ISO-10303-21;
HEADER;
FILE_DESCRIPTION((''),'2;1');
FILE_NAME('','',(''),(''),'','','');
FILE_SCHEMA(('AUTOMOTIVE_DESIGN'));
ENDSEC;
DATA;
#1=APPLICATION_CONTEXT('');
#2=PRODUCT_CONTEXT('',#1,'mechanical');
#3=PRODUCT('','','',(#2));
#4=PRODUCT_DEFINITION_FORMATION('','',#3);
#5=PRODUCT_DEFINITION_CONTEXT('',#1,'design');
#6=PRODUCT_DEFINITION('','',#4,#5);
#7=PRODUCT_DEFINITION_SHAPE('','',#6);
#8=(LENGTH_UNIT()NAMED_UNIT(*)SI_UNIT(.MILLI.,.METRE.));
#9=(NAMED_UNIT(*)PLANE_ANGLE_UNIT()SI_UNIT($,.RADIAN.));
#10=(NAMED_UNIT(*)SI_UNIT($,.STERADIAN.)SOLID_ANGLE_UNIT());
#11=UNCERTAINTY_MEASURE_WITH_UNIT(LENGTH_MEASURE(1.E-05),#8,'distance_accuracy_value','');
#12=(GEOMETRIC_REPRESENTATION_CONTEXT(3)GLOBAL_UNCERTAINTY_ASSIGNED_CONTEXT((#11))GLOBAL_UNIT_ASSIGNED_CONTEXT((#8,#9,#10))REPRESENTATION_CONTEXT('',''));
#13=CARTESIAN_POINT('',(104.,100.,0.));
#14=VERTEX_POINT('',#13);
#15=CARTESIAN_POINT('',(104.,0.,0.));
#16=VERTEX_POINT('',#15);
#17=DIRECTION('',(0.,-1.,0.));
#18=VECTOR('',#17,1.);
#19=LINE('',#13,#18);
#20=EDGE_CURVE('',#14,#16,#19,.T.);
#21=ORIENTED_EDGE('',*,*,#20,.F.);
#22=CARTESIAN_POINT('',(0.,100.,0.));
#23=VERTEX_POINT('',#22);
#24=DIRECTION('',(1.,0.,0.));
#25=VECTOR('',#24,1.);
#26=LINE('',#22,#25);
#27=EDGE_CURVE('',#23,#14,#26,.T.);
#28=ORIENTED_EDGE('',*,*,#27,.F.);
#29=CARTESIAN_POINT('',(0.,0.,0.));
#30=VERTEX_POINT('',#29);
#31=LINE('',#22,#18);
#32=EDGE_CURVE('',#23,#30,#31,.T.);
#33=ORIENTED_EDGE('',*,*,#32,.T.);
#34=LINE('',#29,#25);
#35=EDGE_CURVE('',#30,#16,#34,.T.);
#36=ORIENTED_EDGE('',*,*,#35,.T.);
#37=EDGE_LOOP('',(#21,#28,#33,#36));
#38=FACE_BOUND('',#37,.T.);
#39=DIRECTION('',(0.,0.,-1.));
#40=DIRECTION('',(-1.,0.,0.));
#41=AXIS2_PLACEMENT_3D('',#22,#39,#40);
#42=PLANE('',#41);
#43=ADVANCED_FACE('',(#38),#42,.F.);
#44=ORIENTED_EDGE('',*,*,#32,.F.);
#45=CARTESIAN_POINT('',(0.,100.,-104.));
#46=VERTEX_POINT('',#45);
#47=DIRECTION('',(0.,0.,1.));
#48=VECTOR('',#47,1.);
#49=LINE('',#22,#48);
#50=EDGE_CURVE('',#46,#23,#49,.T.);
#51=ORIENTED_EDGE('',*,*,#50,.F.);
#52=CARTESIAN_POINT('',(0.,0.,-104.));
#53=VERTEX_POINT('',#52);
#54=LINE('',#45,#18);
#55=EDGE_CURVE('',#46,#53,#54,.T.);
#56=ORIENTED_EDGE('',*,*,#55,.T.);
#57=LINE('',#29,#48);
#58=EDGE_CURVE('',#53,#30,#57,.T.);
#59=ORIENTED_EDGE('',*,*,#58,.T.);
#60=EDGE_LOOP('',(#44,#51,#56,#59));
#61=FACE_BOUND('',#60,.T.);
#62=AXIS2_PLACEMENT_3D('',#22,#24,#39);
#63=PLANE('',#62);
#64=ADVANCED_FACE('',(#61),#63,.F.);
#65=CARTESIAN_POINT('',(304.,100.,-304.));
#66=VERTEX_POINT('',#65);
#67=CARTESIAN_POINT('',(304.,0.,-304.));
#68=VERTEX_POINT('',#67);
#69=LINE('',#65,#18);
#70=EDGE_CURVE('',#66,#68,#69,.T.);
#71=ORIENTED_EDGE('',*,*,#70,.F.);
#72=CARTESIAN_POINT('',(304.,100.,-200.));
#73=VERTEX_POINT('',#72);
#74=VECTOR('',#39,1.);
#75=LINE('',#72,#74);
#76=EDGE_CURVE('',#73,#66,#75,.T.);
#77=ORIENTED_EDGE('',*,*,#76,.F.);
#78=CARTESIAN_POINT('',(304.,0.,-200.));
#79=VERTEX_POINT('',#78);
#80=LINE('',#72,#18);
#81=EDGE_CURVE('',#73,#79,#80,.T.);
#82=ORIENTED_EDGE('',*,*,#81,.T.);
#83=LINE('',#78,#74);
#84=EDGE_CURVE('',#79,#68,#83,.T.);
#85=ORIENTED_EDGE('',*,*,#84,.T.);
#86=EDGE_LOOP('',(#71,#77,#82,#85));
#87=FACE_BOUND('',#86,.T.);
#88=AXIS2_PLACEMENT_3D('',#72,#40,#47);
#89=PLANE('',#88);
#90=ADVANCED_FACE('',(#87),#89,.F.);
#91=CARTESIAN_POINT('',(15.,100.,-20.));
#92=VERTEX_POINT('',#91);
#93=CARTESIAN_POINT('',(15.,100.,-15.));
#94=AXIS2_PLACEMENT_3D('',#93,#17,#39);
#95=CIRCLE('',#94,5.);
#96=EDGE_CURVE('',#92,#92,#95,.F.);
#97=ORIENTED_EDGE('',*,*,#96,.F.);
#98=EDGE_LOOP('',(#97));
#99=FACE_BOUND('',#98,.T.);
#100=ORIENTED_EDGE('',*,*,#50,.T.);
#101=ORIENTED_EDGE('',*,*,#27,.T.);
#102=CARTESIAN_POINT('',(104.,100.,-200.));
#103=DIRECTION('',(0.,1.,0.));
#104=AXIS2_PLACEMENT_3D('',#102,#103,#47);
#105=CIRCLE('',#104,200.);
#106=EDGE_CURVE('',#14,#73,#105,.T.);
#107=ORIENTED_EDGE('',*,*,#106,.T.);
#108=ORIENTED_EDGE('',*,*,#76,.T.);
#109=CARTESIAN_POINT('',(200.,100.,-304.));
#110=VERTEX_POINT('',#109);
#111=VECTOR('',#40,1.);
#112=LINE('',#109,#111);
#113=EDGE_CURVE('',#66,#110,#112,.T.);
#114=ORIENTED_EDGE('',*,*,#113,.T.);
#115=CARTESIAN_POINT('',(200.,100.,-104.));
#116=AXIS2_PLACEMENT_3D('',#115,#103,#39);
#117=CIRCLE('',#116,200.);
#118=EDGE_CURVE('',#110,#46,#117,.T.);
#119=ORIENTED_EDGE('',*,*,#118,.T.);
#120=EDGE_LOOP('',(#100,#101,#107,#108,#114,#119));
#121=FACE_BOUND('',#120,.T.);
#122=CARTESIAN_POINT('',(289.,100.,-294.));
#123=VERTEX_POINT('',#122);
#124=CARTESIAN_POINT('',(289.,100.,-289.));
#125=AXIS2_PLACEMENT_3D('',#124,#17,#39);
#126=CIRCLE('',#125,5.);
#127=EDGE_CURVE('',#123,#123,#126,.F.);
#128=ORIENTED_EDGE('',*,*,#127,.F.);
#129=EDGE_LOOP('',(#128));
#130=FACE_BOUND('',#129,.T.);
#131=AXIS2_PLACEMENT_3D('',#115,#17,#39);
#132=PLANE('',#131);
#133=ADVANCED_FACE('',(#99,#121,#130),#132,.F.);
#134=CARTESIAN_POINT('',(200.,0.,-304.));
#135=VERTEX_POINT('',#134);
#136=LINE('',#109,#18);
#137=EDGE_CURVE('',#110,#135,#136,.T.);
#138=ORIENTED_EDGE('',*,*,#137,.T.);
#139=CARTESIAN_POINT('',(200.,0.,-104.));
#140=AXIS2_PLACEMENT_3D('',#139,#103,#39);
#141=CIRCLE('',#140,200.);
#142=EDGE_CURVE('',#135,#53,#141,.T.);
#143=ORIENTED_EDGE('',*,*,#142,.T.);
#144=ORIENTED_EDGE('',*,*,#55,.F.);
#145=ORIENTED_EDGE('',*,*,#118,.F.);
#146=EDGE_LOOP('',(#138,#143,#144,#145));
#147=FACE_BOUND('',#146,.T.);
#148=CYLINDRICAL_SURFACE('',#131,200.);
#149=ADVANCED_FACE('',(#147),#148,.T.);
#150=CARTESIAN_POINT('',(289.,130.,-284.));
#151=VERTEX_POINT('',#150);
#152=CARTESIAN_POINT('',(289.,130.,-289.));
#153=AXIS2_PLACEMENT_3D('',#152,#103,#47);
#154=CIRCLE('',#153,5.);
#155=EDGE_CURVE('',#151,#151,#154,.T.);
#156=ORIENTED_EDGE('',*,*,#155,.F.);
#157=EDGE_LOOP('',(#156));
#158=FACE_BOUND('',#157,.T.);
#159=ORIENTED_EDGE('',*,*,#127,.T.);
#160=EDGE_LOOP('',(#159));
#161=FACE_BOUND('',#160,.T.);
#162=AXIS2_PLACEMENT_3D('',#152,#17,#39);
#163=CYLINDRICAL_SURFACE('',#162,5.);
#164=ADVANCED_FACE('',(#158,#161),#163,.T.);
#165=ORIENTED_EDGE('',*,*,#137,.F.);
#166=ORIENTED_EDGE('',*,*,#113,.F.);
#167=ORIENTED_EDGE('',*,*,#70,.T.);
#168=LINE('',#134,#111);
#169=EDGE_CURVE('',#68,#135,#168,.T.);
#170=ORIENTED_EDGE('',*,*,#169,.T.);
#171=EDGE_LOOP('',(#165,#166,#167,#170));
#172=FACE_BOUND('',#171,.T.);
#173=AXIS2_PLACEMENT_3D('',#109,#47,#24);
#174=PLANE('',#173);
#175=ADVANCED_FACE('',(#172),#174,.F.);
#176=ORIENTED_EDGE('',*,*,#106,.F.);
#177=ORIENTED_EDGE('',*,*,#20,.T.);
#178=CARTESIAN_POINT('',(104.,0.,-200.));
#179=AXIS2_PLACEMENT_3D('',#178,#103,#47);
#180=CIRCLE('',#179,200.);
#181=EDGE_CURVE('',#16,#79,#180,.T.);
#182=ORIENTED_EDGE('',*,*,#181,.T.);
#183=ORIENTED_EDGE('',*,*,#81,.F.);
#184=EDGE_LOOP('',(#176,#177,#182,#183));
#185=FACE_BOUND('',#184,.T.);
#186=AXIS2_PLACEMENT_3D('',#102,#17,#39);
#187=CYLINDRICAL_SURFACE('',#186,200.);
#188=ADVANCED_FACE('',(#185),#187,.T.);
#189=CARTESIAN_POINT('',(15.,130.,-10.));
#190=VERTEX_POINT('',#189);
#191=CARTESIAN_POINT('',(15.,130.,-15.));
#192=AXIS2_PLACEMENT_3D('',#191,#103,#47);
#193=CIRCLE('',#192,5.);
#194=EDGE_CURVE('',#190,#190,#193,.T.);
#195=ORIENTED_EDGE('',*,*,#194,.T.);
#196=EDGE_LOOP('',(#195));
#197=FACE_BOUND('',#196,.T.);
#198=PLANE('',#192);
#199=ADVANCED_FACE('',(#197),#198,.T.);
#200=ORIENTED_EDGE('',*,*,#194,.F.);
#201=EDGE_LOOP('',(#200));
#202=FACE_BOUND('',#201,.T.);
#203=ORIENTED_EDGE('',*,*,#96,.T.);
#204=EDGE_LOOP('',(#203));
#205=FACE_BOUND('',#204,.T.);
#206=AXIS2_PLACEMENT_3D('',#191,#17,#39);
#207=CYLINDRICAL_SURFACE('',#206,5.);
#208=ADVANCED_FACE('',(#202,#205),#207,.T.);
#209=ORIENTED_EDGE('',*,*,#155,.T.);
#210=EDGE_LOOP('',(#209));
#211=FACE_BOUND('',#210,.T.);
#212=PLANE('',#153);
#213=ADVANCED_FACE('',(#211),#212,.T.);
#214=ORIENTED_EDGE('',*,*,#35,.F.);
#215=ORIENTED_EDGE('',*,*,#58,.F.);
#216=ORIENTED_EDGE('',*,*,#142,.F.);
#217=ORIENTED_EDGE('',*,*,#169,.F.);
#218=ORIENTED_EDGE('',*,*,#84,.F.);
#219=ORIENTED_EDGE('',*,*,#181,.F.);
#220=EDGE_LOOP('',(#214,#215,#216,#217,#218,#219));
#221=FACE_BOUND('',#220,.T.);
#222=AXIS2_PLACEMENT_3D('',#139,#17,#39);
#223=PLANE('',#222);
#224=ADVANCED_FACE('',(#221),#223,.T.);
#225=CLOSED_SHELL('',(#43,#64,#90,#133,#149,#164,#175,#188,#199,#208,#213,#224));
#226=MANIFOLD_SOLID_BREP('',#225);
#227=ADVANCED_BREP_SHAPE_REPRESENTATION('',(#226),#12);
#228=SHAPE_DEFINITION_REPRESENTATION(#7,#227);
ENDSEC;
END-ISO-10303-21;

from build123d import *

# Parameters (mm, degrees)
EXTRUDE_1_DEPTH = 100
SKETCH_2_R      = 5
EXTRUDE_2_DEPTH = 30


with BuildPart() as part:
    # 草圖1 → 填料-伸長1 (new body)
    with BuildSketch(Plane(origin=(0, 0, 0), x_dir=(1, 0, 0), z_dir=(0, 1, 0))):
        with BuildLine():
            Line((0, 0), (104, 0))
            ThreePointArc((104, 0), (245.421356237, 58.578643763), (304, 200))
            Line((304, 200), (304, 304))
            Line((304, 304), (200, 304))
            ThreePointArc((200, 304), (58.578643763, 245.421356237), (0, 104))
            Line((0, 104), (0, 0))
        make_face()
    extrude(amount=EXTRUDE_1_DEPTH)

    # 草圖2 → 填料-伸長2 (add)
    with BuildSketch(Plane(origin=(0, 100, 0), x_dir=(1, 0, 0), z_dir=(0, 1, 0))):
        with Locations(Location((15, 15, 0), (0, 0, 90))):
            Circle(SKETCH_2_R)
        with Locations(Location((289, 289, 0), (0, 0, 90))):
            Circle(SKETCH_2_R)
    extrude(amount=EXTRUDE_2_DEPTH)


solid = part.part
